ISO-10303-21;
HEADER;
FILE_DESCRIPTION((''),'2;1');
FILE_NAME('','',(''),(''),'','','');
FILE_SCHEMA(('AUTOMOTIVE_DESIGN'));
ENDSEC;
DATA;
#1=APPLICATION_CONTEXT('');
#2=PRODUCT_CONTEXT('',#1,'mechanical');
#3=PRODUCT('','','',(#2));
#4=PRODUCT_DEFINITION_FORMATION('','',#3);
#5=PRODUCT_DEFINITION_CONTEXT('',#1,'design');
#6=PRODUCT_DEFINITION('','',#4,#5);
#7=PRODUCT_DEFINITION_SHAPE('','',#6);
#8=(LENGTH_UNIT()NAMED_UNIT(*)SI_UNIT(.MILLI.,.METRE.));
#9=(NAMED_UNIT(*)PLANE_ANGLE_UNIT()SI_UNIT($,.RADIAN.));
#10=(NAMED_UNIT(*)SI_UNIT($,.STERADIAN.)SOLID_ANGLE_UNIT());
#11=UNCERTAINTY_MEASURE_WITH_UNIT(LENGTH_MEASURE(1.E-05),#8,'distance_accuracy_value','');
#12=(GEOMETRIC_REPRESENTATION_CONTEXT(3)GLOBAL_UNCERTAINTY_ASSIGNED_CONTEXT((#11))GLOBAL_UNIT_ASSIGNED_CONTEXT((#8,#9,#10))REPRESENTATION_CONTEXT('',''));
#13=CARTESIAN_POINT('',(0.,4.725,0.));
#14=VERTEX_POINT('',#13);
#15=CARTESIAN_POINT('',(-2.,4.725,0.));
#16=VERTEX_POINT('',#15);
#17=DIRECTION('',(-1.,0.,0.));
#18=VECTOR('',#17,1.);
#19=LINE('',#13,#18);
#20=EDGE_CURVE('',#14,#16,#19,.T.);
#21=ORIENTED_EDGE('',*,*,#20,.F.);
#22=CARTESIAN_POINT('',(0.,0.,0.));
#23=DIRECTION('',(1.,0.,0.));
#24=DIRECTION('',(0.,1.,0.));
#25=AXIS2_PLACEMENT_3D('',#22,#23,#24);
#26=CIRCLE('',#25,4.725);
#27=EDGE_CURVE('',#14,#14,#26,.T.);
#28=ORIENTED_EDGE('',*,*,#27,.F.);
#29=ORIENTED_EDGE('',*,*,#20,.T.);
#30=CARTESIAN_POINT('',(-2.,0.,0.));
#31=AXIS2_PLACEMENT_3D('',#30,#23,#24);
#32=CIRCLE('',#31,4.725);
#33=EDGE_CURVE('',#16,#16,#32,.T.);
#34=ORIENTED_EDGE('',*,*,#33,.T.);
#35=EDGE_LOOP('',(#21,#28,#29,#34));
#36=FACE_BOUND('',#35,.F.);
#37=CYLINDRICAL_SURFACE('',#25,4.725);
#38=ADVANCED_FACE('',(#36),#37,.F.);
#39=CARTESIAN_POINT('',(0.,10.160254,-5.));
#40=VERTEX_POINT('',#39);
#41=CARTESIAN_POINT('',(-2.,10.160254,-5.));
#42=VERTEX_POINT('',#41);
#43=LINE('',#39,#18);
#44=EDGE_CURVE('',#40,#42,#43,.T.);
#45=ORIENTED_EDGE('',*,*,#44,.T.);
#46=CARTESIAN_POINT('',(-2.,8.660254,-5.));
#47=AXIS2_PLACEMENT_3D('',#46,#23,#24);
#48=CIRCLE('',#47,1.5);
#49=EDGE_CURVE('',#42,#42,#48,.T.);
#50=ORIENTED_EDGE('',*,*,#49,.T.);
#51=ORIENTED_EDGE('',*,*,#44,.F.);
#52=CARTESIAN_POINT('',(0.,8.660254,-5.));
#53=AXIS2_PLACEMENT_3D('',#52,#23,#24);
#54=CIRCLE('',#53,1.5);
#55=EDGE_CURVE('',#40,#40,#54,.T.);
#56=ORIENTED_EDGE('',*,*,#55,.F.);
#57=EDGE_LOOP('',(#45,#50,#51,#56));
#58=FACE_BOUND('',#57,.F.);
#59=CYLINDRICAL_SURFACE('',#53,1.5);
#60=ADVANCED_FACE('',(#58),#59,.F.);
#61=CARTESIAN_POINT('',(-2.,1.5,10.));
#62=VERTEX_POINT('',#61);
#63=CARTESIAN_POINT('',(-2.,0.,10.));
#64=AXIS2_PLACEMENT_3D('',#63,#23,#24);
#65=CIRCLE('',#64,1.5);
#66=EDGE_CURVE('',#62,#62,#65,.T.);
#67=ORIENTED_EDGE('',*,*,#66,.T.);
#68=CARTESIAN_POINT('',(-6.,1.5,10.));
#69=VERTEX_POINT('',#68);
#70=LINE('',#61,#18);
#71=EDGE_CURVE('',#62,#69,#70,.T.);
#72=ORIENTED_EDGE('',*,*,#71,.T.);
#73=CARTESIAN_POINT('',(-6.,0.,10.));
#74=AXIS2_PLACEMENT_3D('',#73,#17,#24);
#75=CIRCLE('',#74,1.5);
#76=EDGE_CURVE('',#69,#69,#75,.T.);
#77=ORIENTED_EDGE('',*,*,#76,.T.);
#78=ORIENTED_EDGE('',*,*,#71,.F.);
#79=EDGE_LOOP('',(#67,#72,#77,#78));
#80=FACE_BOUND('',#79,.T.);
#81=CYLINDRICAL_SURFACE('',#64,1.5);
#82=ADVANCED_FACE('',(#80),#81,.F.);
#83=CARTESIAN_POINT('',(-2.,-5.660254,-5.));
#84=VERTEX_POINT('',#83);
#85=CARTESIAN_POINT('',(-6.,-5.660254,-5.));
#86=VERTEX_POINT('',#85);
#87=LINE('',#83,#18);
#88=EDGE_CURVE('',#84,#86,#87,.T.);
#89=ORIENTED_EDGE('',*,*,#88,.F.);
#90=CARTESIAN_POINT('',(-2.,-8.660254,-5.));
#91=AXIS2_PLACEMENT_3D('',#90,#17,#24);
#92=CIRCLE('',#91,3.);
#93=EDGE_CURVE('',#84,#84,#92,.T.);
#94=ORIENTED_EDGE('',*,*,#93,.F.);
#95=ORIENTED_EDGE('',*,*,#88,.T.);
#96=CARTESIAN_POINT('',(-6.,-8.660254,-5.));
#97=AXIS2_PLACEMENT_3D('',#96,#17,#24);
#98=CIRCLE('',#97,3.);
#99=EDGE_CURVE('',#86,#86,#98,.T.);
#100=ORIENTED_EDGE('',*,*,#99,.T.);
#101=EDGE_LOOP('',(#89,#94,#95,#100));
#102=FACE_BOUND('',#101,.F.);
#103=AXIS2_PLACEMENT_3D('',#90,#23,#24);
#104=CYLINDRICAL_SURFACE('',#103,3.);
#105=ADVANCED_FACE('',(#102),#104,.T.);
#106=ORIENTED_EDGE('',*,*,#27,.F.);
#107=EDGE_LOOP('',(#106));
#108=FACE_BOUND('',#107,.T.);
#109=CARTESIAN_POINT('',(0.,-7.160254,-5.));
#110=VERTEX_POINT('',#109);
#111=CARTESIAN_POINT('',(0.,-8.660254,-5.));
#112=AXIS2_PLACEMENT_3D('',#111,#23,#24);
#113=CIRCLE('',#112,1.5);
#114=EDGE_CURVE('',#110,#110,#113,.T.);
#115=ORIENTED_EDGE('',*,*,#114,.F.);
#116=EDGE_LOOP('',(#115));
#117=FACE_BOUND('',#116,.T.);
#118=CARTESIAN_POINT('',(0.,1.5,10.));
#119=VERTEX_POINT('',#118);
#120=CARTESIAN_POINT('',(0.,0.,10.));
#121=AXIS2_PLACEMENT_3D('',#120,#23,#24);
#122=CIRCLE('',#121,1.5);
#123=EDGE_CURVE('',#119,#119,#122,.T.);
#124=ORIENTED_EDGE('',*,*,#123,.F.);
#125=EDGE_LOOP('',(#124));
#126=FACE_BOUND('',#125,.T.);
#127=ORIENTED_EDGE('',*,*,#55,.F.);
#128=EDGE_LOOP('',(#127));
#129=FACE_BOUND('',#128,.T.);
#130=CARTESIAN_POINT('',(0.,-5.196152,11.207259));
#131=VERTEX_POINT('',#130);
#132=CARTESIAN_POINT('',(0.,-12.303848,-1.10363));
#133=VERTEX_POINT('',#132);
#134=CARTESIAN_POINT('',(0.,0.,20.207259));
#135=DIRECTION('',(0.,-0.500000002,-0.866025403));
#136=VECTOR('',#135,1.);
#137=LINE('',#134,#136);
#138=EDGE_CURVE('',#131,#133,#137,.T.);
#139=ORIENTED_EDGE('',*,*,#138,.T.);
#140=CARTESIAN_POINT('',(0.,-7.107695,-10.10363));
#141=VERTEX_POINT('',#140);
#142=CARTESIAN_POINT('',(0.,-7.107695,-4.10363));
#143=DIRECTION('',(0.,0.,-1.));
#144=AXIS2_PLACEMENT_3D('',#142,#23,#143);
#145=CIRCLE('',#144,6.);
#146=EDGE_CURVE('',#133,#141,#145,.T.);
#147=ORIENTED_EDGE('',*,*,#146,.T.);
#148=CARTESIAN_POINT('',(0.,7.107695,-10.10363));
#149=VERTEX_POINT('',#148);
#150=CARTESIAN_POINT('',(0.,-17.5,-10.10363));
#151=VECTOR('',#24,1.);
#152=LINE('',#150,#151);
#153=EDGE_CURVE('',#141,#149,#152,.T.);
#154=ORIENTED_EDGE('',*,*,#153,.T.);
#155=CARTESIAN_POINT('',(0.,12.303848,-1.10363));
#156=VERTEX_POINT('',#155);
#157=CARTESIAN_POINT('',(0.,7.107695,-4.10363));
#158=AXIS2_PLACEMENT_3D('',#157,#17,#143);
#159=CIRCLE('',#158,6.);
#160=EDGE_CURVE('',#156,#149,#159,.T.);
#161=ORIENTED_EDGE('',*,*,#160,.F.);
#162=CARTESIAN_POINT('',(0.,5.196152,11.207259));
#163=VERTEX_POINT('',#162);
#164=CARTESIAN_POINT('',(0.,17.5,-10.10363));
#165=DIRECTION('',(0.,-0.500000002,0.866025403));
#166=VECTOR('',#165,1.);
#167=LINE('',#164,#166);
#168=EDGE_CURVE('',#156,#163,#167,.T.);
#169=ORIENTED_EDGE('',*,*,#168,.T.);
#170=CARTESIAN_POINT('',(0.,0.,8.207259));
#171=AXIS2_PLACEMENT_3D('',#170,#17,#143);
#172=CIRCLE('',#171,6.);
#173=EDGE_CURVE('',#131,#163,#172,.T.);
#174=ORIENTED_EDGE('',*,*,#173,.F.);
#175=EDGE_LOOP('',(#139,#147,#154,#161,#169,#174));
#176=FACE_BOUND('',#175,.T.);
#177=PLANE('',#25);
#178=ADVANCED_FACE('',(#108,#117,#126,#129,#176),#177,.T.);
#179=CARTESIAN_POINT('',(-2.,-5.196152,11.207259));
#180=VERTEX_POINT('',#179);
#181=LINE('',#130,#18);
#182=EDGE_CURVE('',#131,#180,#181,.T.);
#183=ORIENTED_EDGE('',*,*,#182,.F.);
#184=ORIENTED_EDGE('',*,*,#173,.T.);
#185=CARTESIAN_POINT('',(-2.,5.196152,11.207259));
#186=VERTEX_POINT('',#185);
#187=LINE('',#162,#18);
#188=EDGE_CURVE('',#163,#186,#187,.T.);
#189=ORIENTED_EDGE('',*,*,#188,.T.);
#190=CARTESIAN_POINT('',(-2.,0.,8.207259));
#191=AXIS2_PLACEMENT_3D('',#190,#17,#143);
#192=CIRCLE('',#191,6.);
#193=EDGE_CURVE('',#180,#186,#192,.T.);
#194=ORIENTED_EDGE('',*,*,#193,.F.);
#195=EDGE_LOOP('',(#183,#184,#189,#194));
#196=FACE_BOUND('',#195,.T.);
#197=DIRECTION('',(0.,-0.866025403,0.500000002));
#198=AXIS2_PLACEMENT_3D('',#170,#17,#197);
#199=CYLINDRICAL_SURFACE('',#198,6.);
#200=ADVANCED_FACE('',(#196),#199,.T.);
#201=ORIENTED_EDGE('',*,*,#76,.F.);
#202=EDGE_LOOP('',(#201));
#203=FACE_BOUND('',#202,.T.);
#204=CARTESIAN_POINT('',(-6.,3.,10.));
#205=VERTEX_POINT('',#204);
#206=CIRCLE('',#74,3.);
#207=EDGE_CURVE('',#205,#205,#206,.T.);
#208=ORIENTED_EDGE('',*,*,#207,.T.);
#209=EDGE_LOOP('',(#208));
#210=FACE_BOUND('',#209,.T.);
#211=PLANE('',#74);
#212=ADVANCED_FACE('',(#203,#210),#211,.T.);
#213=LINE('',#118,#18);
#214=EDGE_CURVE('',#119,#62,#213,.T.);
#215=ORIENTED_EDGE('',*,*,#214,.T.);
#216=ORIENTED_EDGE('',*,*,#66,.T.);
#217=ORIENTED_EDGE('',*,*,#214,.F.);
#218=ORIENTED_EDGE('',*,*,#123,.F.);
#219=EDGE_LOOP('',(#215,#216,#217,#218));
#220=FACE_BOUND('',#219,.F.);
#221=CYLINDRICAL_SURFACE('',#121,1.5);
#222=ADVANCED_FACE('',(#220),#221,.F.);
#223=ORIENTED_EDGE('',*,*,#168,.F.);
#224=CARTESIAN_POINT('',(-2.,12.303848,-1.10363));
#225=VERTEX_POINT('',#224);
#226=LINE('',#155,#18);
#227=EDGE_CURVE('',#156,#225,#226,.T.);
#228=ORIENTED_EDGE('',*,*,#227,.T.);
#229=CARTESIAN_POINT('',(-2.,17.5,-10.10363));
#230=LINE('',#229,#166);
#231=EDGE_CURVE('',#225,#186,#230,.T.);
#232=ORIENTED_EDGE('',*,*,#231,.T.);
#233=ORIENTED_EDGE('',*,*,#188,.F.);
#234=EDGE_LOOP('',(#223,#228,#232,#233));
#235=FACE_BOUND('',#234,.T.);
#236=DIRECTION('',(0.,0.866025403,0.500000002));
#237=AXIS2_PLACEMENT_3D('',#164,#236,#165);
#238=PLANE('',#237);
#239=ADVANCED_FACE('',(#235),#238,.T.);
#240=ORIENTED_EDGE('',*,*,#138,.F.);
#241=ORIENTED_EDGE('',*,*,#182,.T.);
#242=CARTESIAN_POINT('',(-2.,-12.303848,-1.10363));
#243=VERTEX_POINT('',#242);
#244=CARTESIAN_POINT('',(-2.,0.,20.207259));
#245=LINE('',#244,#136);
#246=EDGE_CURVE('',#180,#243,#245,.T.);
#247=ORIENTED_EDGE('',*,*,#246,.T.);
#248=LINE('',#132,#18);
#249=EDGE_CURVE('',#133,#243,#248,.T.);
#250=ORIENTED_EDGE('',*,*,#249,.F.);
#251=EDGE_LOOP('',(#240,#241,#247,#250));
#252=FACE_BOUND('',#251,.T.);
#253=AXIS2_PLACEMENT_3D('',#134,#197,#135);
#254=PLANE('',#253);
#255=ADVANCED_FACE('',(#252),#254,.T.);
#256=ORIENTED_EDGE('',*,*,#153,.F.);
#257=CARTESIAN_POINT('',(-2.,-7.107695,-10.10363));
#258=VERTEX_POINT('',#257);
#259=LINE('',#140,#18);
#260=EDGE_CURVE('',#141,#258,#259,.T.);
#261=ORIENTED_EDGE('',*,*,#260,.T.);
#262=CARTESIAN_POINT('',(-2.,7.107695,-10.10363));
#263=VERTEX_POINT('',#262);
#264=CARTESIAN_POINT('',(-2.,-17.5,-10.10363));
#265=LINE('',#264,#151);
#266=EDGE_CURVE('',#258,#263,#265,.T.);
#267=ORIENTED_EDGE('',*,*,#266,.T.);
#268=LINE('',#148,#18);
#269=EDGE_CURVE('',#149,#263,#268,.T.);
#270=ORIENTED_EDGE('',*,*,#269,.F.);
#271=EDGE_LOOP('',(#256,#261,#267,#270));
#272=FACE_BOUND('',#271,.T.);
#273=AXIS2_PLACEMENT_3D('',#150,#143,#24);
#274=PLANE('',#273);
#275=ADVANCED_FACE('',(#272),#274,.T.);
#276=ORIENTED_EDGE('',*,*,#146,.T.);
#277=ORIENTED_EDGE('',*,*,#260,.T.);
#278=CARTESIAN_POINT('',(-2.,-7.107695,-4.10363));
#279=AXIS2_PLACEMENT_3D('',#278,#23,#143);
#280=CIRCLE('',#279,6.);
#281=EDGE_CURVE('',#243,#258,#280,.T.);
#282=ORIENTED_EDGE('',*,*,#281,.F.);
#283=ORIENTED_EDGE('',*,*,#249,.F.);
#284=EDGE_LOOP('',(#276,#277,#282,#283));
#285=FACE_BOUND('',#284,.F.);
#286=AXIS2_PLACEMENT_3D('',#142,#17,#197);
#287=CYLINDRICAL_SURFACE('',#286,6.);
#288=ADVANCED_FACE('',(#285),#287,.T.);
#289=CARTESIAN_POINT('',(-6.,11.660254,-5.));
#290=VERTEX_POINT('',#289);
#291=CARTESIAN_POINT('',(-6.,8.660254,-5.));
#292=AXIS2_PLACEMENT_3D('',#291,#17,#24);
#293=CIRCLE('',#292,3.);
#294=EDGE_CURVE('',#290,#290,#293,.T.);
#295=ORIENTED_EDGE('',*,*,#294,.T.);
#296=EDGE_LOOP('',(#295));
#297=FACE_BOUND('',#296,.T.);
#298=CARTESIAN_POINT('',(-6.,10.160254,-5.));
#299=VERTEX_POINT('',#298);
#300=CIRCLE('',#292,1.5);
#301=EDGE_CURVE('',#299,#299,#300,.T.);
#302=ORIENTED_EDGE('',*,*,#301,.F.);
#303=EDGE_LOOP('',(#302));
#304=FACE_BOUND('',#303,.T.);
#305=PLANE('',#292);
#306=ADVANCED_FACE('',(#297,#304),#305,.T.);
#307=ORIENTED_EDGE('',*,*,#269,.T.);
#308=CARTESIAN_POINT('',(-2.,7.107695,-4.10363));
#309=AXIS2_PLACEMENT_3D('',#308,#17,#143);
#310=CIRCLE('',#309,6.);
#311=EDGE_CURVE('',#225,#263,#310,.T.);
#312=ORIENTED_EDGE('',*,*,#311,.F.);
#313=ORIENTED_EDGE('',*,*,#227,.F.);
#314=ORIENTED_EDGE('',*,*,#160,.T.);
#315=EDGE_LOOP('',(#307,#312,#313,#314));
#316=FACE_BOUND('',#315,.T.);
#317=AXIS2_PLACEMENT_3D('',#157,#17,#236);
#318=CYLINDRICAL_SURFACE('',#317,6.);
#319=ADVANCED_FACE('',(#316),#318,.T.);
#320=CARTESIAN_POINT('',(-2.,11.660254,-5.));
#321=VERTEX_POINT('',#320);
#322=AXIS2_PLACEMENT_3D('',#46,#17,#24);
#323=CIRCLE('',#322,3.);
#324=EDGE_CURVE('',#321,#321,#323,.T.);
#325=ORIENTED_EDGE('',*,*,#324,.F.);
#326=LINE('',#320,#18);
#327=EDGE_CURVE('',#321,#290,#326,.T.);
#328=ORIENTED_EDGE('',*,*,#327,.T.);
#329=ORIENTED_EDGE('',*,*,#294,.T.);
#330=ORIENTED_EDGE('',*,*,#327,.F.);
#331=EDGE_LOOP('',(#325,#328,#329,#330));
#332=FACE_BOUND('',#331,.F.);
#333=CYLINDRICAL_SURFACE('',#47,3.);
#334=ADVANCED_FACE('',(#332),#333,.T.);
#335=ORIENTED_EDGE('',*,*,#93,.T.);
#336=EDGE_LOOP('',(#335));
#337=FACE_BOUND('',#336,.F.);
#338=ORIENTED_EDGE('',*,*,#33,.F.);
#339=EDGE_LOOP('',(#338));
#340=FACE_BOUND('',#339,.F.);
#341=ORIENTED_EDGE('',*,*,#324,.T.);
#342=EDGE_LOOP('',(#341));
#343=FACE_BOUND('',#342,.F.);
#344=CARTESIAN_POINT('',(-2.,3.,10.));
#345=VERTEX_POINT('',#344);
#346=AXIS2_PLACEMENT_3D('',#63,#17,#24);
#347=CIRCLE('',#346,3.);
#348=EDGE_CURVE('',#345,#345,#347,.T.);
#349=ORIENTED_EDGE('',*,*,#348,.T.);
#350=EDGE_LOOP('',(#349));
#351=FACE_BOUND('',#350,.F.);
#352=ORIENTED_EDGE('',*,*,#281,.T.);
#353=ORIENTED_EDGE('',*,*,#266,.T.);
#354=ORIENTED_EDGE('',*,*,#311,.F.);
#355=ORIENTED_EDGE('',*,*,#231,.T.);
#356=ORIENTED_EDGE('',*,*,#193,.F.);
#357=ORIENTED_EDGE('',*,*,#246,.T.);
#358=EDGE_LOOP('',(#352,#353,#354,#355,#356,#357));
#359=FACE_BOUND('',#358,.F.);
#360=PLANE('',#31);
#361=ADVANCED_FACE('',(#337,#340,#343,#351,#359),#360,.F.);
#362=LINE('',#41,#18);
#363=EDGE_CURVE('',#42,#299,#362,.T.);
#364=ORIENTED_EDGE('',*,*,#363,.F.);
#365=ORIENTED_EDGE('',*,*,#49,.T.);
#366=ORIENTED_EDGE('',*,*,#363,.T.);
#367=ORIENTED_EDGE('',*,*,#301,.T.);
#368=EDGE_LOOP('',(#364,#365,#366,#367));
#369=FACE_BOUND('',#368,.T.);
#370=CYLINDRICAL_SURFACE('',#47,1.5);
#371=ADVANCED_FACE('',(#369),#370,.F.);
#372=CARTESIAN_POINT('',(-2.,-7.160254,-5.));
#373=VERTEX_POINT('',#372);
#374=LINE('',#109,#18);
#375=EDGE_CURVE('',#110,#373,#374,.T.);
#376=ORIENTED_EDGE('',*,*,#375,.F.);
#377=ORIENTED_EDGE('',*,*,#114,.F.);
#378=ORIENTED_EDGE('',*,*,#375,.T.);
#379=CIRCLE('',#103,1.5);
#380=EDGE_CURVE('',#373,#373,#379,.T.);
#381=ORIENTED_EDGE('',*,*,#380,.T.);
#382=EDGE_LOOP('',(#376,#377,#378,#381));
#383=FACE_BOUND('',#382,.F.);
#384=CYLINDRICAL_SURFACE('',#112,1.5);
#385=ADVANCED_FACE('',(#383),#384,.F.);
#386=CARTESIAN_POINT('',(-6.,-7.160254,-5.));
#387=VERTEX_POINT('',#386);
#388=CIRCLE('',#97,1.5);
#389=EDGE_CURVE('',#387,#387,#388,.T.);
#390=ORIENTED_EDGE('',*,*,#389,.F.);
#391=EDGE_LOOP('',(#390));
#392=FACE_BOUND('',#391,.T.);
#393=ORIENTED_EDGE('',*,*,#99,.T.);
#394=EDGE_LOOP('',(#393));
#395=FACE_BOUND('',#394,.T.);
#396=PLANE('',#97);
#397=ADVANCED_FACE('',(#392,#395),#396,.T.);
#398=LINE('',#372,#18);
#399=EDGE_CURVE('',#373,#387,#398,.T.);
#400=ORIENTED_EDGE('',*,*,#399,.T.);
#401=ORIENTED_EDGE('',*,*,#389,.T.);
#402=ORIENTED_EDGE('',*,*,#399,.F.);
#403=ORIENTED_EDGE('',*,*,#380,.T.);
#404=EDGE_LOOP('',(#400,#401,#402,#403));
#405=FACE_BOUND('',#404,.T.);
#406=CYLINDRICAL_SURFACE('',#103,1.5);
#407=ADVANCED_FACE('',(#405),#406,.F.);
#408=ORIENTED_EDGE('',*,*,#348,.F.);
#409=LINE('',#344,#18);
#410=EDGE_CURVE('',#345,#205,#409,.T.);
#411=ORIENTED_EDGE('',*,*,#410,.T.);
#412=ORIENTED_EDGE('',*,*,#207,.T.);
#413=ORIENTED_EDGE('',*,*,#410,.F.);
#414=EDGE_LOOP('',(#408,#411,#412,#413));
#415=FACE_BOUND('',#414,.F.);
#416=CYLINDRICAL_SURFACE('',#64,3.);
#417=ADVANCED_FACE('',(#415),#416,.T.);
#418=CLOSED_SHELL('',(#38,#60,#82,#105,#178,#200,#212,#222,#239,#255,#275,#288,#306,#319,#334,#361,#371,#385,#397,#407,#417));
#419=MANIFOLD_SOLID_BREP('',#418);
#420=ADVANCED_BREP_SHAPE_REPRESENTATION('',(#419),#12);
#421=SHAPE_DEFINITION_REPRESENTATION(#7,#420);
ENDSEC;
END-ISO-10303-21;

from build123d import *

# Parameters (mm, degrees)
SKETCH_R      = 4.725
SKETCH_R_2    = 1.5
PAD_DEPTH     = 2
SKETCH001_R   = 3
SKETCH001_R_2 = 1.5
PAD001_DEPTH  = 4
FILLET_R      = 6


with BuildPart() as part:
    # Sketch → Pad (new body)
    with BuildSketch(Plane.YZ):
        Polygon((0, 20.207259), (-17.5, -10.10363), (17.5, -10.10363), align=None)
        Circle(SKETCH_R, mode=Mode.SUBTRACT)
        with Locations((0, 10)):
            Circle(SKETCH_R_2, mode=Mode.SUBTRACT)
        with Locations((-8.660254, -5)):
            Circle(SKETCH_R_2, mode=Mode.SUBTRACT)
        with Locations((8.660254, -5)):
            Circle(SKETCH_R_2, mode=Mode.SUBTRACT)
    extrude(amount=-PAD_DEPTH)

    # Sketch001 (on Face9 of Pad) → Pad001 (join)
    with BuildSketch(Plane(origin=(-2, 0, 0), x_dir=(0, 1, 0), z_dir=(-1, 0, 0))):
        with Locations((8.660254, 5)):
            Circle(SKETCH001_R)
        with Locations((8.660254, 5)):
            Circle(SKETCH001_R_2, mode=Mode.SUBTRACT)
        with Locations((-8.660254, 5)):
            Circle(SKETCH001_R)
        with Locations((-8.660254, 5)):
            Circle(SKETCH001_R_2, mode=Mode.SUBTRACT)
        with Locations((0, -10)):
            Circle(SKETCH001_R)
        with Locations((0, -10)):
            Circle(SKETCH001_R_2, mode=Mode.SUBTRACT)
    extrude(amount=PAD001_DEPTH)

    # Fillet
    fillet_edges = [part.edges().sort_by_distance(p)[0] for p in [
        (-1, 0, 20.207259),
        (-1, -17.5, -10.10363),
        (-1, 17.5, -10.10363),
    ]]
    fillet(fillet_edges, radius=FILLET_R)


solid = part.part
